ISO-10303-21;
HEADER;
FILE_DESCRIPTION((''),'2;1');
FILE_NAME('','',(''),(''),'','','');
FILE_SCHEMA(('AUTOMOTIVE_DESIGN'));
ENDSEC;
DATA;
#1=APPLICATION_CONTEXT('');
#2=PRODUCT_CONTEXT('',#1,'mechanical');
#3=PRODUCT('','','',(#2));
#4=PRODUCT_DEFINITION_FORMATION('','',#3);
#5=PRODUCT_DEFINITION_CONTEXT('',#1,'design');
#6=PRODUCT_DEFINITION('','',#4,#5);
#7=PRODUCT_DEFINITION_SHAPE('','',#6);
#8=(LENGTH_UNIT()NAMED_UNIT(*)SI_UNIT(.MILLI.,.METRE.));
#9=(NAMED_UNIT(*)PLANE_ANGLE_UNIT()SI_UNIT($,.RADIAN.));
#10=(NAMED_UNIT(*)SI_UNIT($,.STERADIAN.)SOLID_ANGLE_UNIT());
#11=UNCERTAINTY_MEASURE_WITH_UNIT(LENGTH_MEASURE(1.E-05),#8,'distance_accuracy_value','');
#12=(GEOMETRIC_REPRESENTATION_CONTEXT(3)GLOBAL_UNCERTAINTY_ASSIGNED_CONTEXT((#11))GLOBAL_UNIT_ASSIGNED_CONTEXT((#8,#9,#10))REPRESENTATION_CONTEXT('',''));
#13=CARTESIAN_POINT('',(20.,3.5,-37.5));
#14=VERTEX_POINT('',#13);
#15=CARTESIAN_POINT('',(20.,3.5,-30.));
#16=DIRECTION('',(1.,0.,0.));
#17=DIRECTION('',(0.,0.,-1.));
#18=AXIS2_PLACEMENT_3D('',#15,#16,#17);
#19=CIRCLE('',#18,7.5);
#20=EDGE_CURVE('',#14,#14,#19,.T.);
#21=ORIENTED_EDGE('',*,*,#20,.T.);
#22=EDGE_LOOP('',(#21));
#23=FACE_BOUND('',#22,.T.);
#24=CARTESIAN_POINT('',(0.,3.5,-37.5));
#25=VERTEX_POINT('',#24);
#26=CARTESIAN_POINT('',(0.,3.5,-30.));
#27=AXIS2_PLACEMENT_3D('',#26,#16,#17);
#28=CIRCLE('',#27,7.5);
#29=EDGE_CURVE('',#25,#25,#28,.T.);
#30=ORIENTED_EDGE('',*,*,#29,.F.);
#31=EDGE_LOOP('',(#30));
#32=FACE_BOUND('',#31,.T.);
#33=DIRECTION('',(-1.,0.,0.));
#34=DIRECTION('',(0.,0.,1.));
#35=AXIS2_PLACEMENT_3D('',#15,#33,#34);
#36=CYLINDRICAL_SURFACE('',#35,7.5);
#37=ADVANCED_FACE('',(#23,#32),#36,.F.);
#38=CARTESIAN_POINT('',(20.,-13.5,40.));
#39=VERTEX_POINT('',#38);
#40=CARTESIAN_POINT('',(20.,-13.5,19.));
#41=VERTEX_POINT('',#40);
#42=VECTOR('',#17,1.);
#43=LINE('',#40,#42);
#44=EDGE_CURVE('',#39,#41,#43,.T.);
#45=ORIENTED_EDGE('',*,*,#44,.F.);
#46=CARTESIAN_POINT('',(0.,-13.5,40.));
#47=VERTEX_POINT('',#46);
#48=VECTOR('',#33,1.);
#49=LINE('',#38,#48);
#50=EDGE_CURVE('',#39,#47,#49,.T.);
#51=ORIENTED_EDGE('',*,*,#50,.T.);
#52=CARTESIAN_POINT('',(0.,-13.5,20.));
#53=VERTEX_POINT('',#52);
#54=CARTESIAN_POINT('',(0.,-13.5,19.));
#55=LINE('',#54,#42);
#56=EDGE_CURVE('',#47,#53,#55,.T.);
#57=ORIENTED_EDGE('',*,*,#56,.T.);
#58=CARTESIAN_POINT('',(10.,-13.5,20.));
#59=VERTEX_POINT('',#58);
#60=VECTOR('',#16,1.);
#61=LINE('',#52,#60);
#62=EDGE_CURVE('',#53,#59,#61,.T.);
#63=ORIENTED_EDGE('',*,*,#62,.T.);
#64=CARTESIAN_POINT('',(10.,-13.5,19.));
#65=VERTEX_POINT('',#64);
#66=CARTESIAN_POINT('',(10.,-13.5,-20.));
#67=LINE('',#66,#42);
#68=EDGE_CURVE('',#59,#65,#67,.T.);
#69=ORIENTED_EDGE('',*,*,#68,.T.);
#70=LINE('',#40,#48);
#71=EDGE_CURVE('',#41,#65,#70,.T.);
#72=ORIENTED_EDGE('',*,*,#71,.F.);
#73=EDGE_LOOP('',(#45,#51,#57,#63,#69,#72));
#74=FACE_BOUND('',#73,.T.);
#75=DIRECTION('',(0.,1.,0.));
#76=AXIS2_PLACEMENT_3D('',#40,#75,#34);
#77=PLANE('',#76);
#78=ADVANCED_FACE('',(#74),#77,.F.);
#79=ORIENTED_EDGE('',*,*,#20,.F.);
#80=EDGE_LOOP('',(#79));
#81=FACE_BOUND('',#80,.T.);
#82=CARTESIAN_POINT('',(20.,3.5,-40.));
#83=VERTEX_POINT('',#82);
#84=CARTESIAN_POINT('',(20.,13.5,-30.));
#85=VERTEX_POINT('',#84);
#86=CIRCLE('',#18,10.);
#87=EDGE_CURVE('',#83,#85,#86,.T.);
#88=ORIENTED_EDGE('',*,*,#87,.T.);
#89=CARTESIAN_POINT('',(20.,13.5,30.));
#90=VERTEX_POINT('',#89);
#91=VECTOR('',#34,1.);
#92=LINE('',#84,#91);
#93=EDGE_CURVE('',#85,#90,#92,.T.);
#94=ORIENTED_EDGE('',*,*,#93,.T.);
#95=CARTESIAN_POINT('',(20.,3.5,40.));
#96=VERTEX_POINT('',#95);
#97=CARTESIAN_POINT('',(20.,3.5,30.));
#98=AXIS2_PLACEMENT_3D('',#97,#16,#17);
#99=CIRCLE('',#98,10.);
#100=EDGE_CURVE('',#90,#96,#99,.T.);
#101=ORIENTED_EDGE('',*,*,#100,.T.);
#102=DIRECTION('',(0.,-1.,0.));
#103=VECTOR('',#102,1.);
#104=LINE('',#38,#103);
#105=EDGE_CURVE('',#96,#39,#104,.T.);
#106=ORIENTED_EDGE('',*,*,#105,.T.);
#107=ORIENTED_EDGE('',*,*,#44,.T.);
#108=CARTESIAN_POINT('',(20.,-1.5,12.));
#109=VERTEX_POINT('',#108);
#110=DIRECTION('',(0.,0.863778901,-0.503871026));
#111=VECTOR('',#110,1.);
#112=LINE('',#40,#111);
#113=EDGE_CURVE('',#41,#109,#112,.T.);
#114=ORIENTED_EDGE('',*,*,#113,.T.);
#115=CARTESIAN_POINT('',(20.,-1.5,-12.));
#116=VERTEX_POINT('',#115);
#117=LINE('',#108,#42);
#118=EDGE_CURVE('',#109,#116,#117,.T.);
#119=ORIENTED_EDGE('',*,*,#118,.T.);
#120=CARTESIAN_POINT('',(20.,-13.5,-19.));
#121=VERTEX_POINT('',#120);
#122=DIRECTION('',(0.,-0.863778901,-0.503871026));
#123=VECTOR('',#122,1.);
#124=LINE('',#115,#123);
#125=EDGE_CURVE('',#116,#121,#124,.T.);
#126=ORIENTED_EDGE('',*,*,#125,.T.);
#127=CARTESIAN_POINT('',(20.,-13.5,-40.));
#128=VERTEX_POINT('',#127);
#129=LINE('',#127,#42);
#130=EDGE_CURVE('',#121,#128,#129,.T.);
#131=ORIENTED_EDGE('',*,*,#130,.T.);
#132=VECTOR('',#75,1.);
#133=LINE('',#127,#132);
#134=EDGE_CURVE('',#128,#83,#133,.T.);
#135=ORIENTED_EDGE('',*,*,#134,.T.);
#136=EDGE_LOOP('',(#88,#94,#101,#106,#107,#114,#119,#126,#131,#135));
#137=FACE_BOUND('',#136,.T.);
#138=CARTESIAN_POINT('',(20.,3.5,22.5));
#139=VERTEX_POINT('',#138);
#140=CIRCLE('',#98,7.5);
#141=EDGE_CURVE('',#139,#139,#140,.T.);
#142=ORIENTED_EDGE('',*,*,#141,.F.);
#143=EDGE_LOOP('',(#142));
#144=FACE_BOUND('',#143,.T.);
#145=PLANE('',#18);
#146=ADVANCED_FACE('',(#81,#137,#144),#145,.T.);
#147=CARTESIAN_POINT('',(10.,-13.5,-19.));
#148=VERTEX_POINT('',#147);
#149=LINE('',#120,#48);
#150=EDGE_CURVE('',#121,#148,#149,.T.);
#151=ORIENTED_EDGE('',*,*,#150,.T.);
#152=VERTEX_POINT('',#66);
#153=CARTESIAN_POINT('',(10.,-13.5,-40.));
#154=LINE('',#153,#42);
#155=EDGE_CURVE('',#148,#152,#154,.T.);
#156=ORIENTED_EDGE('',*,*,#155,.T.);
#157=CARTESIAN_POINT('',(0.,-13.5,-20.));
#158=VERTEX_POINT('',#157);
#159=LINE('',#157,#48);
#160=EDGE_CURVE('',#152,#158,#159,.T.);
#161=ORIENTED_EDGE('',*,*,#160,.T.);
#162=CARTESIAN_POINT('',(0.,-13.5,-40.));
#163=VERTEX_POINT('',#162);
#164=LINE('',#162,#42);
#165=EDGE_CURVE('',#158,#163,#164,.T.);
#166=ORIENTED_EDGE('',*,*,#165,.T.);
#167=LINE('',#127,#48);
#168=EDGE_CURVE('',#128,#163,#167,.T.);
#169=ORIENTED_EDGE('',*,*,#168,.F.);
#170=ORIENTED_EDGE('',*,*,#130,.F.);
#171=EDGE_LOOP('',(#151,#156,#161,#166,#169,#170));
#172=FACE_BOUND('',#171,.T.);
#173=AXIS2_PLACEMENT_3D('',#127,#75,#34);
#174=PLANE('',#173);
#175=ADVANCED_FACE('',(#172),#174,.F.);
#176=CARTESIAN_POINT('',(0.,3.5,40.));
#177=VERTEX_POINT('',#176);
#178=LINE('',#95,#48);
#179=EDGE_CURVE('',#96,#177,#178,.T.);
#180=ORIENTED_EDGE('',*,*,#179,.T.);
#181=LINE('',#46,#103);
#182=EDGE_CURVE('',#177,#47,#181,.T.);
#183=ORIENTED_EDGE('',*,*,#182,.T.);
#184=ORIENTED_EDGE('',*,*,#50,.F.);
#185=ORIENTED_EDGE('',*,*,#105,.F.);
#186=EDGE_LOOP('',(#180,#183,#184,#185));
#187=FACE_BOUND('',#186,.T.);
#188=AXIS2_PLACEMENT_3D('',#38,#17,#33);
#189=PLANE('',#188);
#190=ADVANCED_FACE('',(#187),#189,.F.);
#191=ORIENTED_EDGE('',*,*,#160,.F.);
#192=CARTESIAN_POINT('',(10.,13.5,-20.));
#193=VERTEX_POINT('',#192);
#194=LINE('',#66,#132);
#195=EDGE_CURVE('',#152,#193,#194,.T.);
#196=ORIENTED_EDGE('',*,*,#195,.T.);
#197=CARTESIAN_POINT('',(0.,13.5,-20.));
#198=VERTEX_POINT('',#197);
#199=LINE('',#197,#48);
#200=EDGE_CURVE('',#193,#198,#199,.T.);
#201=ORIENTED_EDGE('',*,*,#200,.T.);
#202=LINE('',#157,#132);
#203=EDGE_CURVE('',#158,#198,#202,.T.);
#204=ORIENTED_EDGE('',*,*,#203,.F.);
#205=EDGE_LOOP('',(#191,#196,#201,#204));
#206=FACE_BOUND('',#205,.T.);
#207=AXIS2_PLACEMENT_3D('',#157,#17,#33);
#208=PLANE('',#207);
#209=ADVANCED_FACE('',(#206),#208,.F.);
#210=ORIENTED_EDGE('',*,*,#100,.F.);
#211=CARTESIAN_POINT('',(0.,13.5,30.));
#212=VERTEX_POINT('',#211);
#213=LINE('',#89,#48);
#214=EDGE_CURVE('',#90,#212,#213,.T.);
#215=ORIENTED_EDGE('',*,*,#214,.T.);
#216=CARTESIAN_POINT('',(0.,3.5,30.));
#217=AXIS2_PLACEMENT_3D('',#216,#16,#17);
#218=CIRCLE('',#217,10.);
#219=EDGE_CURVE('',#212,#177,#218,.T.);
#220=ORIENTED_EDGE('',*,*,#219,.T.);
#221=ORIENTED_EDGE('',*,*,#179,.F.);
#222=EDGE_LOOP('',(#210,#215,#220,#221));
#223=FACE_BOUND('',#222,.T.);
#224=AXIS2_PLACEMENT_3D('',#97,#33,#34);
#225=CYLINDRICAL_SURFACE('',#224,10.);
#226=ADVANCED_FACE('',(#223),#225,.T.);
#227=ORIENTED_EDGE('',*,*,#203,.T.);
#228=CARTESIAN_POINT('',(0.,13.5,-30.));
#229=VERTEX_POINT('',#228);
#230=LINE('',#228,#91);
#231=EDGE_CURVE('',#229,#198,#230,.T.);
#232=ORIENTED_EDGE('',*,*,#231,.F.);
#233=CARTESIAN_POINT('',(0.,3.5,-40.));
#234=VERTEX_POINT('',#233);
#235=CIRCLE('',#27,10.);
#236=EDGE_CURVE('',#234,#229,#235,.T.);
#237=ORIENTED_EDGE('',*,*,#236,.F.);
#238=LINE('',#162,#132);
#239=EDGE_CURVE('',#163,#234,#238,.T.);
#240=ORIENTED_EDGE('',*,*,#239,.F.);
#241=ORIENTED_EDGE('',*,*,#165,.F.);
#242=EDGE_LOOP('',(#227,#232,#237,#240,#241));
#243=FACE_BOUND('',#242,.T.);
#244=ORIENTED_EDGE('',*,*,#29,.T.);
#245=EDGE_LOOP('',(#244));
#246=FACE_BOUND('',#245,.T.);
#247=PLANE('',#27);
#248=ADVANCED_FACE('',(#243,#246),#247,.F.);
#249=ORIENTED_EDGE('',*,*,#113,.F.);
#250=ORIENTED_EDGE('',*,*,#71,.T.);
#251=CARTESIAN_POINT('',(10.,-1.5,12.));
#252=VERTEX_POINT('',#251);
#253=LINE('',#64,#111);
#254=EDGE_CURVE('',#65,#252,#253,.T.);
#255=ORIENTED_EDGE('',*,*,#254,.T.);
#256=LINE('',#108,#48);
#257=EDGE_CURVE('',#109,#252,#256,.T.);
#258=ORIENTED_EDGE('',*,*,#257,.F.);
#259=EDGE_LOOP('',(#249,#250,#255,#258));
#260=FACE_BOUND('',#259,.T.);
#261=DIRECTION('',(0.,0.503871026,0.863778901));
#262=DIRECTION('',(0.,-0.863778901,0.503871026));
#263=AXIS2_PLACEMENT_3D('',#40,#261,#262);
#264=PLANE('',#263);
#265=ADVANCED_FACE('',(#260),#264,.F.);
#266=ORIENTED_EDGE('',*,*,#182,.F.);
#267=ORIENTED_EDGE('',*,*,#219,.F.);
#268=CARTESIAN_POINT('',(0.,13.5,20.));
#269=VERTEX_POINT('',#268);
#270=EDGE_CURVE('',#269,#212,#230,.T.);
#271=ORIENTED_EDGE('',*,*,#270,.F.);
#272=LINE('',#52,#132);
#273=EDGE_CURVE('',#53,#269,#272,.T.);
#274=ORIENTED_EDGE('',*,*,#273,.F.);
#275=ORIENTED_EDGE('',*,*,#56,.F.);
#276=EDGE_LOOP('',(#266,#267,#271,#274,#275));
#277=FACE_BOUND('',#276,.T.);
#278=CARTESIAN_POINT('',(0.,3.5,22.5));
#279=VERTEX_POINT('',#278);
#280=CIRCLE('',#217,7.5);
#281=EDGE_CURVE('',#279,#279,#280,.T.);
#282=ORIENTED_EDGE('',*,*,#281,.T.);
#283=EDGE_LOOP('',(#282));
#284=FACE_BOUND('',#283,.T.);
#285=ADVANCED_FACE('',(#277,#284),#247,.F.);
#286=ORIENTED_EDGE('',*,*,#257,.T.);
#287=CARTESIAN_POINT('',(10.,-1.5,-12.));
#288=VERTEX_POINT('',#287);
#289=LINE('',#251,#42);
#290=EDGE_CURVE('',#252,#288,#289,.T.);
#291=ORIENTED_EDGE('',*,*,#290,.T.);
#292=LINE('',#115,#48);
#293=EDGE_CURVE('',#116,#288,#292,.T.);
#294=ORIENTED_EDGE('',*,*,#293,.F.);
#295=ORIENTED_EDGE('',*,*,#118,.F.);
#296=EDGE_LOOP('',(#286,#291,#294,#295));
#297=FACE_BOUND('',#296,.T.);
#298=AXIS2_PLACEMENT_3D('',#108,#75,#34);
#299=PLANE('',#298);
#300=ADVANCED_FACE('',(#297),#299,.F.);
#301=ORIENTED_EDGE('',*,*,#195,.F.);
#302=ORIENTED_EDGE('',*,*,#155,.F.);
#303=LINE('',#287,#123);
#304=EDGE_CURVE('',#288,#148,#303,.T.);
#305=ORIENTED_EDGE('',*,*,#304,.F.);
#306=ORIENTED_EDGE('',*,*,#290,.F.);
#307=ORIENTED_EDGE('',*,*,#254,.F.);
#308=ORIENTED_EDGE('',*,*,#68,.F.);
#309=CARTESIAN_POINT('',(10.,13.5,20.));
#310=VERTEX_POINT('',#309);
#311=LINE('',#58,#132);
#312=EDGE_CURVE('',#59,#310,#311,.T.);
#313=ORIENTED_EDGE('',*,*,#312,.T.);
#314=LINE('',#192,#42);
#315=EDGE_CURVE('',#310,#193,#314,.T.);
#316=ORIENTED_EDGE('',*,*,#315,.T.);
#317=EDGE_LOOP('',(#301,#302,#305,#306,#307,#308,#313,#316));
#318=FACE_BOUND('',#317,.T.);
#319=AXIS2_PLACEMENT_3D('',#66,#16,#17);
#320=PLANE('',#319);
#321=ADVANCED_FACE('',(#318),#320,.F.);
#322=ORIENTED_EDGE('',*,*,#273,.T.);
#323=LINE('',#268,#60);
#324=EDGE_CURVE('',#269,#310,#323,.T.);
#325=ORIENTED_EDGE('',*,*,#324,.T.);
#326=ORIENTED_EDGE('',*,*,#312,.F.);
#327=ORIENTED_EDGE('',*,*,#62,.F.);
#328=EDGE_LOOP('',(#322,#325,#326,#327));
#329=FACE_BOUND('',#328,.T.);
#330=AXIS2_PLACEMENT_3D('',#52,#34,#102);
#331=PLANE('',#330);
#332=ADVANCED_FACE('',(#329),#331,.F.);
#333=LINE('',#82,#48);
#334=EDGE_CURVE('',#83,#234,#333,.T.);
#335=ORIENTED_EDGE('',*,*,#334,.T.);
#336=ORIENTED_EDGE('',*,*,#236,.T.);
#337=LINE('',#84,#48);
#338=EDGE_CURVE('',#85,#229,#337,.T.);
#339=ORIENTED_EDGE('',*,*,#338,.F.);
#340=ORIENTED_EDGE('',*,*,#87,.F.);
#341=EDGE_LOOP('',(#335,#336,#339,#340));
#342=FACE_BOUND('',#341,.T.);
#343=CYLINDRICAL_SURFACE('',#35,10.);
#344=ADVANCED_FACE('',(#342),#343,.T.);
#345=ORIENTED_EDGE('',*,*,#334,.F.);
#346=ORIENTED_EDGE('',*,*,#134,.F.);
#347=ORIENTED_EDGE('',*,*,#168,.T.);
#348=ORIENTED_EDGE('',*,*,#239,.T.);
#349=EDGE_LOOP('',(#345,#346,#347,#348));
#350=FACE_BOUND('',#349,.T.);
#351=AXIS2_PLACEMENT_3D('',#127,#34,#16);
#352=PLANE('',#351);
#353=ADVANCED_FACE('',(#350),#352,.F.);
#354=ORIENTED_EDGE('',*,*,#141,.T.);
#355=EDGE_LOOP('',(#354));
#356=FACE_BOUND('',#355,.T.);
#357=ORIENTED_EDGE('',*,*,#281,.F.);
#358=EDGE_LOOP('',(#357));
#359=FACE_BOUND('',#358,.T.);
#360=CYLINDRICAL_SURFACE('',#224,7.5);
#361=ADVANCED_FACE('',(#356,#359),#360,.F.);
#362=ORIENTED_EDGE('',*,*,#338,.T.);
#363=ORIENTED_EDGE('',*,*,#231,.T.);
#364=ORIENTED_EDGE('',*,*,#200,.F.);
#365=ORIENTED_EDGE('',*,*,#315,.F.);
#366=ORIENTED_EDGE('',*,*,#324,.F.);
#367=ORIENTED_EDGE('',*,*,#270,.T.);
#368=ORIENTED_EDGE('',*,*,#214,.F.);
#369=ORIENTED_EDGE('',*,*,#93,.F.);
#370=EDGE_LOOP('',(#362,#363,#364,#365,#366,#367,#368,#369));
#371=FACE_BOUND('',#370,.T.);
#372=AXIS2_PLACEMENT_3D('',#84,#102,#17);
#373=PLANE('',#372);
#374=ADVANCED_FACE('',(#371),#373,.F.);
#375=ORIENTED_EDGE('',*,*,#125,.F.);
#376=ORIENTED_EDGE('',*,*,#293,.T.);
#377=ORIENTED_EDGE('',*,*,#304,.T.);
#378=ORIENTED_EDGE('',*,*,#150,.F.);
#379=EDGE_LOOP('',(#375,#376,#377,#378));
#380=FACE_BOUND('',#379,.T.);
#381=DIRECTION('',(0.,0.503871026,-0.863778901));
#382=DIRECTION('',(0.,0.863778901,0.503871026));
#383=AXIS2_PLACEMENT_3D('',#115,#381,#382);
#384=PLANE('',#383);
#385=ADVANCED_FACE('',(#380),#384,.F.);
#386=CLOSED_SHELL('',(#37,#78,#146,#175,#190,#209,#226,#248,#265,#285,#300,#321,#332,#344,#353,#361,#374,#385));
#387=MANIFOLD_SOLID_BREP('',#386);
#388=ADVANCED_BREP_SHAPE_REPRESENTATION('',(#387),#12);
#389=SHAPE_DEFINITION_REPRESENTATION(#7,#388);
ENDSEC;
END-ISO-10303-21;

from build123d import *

# Parameters (mm, degrees)
SKETCH1_R           = 7.5
BOSS_EXTRUDE1_DEPTH = 20
SKETCH2_W           = 10
SKETCH2_H           = 40
CUT_EXTRUDE1_DEPTH  = 53.239831546


with BuildPart() as part:
    # Sketch1 → Boss-Extrude1 (new body)
    with BuildSketch(Plane(origin=(0, 0, 0), x_dir=(0, 0, -1), z_dir=(1, 0, 0))):
        with BuildLine():
            Line((-19, -13.5), (-12, -1.5))
            Line((-12, -1.5), (12, -1.5))
            Line((12, -1.5), (19, -13.5))
            Line((19, -13.5), (40, -13.5))
            Line((40, -13.5), (40, 3.5))
            ThreePointArc((40, 3.5), (37.071067812, 10.571067812), (30, 13.5))
            Line((30, 13.5), (-30, 13.5))
            ThreePointArc((-30, 13.5), (-37.071067812, 10.571067812), (-40, 3.5))
            Line((-40, 3.5), (-40, -13.5))
            Line((-40, -13.5), (-19, -13.5))
        make_face()
        with Locations((-30, 3.5)):
            Circle(SKETCH1_R, mode=Mode.SUBTRACT)
        with Locations((30, 3.5)):
            Circle(SKETCH1_R, mode=Mode.SUBTRACT)
    extrude(amount=BOSS_EXTRUDE1_DEPTH)

    # Sketch2 → Cut-Extrude1 (cut, through all)
    with BuildSketch(Plane(origin=(0, 13.5, 0), x_dir=(1, 0, 0), z_dir=(0, 1, 0))):
        with Locations((5, 0)):
            Rectangle(SKETCH2_W, SKETCH2_H)
    extrude(amount=-CUT_EXTRUDE1_DEPTH, mode=Mode.SUBTRACT)


solid = part.part
